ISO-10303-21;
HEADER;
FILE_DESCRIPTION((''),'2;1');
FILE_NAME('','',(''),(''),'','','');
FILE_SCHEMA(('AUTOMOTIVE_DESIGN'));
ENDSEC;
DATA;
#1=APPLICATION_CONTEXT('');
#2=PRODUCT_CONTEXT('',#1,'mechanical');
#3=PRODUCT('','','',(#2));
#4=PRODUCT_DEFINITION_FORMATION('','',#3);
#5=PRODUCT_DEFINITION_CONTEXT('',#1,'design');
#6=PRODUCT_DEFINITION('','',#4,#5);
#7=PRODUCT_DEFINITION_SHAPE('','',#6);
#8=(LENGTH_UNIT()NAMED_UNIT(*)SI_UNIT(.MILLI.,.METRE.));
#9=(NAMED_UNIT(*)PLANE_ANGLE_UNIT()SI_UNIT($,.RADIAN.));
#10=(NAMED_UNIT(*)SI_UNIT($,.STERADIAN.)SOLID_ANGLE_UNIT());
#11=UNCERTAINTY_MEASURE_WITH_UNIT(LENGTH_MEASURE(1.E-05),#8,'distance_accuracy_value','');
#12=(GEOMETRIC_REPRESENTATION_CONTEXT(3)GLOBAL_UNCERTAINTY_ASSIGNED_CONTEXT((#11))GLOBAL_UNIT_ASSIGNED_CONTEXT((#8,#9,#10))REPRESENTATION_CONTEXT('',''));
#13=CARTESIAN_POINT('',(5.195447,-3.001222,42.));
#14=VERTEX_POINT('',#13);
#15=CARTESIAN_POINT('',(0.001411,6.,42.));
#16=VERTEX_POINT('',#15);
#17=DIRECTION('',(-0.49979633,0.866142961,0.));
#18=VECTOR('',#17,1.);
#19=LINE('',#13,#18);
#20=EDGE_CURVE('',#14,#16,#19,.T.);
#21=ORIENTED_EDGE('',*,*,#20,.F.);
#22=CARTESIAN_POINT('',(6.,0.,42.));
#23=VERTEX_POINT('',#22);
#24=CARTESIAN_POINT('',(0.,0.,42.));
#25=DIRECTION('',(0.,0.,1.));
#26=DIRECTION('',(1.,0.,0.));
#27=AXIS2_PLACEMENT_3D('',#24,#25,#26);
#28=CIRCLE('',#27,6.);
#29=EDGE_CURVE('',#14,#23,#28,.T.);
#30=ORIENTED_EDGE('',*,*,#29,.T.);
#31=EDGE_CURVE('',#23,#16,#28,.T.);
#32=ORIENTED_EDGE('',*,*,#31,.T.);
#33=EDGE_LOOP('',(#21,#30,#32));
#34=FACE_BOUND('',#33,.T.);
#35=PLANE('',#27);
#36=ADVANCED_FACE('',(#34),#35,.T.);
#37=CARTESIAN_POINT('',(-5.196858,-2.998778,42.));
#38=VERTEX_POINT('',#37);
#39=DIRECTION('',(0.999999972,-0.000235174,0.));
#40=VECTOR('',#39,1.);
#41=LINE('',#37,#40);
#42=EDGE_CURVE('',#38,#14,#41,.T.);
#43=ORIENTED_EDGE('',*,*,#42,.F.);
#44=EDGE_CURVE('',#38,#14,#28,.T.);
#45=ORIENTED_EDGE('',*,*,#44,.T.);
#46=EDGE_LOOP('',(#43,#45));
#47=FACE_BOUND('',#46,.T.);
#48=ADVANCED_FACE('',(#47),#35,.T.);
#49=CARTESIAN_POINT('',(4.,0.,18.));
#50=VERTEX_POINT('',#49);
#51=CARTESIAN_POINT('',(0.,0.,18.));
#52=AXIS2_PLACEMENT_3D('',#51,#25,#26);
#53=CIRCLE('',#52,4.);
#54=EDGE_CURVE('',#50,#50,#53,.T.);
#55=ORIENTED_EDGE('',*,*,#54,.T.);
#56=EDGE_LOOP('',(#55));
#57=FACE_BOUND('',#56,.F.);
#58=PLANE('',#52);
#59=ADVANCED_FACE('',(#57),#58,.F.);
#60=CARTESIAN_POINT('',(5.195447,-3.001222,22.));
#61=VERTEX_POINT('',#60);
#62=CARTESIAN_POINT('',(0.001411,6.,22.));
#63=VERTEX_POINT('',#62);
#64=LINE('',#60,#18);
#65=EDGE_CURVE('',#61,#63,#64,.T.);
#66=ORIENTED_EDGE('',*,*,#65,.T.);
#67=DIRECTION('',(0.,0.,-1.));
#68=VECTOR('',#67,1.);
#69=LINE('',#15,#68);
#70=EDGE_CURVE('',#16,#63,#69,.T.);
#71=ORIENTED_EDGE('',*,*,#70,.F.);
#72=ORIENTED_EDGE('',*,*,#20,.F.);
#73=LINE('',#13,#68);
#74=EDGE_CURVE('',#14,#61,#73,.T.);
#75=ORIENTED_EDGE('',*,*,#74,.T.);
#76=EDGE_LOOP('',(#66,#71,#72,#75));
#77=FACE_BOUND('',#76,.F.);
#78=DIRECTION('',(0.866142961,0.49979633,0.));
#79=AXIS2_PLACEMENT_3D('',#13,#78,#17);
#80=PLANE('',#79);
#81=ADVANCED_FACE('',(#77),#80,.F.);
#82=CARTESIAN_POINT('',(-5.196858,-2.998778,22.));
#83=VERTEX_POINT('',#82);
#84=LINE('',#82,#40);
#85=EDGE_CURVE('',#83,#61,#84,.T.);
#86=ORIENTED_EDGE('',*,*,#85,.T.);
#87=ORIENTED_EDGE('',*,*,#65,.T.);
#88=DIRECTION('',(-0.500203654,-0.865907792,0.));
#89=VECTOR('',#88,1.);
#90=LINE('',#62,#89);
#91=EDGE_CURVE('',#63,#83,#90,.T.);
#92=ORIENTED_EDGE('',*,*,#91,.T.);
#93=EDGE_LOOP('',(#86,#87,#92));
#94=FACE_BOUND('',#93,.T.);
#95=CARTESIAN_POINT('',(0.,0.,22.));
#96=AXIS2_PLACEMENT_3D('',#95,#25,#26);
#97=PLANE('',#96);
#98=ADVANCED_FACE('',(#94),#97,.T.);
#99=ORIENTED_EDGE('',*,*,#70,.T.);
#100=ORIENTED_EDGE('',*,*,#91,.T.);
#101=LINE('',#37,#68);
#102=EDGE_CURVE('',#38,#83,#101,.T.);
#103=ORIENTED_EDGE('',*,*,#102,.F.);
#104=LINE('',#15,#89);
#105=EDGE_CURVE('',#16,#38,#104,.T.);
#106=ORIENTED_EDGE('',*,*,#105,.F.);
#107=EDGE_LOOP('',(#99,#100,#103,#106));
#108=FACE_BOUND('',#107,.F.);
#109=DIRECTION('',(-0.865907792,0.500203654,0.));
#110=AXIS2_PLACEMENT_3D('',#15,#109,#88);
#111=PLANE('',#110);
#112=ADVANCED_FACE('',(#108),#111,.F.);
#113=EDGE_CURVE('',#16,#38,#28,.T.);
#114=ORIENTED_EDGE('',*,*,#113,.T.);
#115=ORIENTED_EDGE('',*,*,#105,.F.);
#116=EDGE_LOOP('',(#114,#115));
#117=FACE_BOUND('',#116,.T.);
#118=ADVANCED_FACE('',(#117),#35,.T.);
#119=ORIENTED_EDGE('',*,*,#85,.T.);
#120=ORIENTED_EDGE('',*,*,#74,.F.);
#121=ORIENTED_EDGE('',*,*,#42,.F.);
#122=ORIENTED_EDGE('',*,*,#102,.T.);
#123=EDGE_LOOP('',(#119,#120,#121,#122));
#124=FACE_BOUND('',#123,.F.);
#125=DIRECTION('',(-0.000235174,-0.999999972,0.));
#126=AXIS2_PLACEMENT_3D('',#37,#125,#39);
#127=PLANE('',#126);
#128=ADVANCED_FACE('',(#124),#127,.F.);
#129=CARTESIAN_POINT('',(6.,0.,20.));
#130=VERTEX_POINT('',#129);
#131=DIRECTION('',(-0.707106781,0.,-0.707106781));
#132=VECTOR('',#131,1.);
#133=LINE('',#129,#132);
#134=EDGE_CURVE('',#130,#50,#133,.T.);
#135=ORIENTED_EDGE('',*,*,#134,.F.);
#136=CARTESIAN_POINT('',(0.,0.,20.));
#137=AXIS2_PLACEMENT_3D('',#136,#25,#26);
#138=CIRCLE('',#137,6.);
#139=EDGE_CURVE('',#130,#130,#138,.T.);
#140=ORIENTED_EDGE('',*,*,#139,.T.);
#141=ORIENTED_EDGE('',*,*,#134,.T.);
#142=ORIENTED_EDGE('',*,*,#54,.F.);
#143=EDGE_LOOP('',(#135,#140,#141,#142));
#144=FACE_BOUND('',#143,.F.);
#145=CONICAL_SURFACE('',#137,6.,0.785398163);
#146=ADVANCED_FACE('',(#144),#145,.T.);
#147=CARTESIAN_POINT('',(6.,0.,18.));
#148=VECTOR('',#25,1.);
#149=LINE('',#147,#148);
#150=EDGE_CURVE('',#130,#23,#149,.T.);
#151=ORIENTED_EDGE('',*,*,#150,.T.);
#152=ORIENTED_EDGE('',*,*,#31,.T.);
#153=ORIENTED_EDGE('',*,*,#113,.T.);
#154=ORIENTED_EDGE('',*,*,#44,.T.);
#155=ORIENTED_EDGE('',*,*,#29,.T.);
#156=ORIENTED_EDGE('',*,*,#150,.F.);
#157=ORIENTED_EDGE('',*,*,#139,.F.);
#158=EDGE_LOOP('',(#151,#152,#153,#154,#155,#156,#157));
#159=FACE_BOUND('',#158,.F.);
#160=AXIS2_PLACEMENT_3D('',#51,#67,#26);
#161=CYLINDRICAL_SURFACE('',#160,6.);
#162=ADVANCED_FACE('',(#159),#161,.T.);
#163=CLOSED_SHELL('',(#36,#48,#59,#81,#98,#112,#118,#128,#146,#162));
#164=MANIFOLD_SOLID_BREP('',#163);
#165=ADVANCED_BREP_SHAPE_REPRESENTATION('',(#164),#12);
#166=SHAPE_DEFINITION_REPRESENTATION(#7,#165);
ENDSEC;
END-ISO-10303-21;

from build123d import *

# Parameters (mm, degrees)
SKETCH008_R     = 6
PAD002_DEPTH    = 24
POCKET_DEPTH    = 20
CHAMFER001_SIZE = 2


with BuildPart() as part:
    # Sketch008 → Pad002 (new body)
    with BuildSketch(Plane.XY.offset(18)):
        Circle(SKETCH008_R)
    extrude(amount=PAD002_DEPTH)

    # Sketch007 (on Face3 of Pad002) → Pocket (cut)
    with BuildSketch(Plane.XY.offset(42)):
        Polygon((5.195447, -3.001222), (0.001411, 6), (-5.196858, -2.998778), align=None)
    extrude(amount=-POCKET_DEPTH, mode=Mode.SUBTRACT)

    # Chamfer001
    chamfer001_edges = [part.edges().sort_by_distance(p)[0] for p in [
        (-6, 0, 18),
    ]]
    chamfer(chamfer001_edges, length=CHAMFER001_SIZE)


solid = part.part
